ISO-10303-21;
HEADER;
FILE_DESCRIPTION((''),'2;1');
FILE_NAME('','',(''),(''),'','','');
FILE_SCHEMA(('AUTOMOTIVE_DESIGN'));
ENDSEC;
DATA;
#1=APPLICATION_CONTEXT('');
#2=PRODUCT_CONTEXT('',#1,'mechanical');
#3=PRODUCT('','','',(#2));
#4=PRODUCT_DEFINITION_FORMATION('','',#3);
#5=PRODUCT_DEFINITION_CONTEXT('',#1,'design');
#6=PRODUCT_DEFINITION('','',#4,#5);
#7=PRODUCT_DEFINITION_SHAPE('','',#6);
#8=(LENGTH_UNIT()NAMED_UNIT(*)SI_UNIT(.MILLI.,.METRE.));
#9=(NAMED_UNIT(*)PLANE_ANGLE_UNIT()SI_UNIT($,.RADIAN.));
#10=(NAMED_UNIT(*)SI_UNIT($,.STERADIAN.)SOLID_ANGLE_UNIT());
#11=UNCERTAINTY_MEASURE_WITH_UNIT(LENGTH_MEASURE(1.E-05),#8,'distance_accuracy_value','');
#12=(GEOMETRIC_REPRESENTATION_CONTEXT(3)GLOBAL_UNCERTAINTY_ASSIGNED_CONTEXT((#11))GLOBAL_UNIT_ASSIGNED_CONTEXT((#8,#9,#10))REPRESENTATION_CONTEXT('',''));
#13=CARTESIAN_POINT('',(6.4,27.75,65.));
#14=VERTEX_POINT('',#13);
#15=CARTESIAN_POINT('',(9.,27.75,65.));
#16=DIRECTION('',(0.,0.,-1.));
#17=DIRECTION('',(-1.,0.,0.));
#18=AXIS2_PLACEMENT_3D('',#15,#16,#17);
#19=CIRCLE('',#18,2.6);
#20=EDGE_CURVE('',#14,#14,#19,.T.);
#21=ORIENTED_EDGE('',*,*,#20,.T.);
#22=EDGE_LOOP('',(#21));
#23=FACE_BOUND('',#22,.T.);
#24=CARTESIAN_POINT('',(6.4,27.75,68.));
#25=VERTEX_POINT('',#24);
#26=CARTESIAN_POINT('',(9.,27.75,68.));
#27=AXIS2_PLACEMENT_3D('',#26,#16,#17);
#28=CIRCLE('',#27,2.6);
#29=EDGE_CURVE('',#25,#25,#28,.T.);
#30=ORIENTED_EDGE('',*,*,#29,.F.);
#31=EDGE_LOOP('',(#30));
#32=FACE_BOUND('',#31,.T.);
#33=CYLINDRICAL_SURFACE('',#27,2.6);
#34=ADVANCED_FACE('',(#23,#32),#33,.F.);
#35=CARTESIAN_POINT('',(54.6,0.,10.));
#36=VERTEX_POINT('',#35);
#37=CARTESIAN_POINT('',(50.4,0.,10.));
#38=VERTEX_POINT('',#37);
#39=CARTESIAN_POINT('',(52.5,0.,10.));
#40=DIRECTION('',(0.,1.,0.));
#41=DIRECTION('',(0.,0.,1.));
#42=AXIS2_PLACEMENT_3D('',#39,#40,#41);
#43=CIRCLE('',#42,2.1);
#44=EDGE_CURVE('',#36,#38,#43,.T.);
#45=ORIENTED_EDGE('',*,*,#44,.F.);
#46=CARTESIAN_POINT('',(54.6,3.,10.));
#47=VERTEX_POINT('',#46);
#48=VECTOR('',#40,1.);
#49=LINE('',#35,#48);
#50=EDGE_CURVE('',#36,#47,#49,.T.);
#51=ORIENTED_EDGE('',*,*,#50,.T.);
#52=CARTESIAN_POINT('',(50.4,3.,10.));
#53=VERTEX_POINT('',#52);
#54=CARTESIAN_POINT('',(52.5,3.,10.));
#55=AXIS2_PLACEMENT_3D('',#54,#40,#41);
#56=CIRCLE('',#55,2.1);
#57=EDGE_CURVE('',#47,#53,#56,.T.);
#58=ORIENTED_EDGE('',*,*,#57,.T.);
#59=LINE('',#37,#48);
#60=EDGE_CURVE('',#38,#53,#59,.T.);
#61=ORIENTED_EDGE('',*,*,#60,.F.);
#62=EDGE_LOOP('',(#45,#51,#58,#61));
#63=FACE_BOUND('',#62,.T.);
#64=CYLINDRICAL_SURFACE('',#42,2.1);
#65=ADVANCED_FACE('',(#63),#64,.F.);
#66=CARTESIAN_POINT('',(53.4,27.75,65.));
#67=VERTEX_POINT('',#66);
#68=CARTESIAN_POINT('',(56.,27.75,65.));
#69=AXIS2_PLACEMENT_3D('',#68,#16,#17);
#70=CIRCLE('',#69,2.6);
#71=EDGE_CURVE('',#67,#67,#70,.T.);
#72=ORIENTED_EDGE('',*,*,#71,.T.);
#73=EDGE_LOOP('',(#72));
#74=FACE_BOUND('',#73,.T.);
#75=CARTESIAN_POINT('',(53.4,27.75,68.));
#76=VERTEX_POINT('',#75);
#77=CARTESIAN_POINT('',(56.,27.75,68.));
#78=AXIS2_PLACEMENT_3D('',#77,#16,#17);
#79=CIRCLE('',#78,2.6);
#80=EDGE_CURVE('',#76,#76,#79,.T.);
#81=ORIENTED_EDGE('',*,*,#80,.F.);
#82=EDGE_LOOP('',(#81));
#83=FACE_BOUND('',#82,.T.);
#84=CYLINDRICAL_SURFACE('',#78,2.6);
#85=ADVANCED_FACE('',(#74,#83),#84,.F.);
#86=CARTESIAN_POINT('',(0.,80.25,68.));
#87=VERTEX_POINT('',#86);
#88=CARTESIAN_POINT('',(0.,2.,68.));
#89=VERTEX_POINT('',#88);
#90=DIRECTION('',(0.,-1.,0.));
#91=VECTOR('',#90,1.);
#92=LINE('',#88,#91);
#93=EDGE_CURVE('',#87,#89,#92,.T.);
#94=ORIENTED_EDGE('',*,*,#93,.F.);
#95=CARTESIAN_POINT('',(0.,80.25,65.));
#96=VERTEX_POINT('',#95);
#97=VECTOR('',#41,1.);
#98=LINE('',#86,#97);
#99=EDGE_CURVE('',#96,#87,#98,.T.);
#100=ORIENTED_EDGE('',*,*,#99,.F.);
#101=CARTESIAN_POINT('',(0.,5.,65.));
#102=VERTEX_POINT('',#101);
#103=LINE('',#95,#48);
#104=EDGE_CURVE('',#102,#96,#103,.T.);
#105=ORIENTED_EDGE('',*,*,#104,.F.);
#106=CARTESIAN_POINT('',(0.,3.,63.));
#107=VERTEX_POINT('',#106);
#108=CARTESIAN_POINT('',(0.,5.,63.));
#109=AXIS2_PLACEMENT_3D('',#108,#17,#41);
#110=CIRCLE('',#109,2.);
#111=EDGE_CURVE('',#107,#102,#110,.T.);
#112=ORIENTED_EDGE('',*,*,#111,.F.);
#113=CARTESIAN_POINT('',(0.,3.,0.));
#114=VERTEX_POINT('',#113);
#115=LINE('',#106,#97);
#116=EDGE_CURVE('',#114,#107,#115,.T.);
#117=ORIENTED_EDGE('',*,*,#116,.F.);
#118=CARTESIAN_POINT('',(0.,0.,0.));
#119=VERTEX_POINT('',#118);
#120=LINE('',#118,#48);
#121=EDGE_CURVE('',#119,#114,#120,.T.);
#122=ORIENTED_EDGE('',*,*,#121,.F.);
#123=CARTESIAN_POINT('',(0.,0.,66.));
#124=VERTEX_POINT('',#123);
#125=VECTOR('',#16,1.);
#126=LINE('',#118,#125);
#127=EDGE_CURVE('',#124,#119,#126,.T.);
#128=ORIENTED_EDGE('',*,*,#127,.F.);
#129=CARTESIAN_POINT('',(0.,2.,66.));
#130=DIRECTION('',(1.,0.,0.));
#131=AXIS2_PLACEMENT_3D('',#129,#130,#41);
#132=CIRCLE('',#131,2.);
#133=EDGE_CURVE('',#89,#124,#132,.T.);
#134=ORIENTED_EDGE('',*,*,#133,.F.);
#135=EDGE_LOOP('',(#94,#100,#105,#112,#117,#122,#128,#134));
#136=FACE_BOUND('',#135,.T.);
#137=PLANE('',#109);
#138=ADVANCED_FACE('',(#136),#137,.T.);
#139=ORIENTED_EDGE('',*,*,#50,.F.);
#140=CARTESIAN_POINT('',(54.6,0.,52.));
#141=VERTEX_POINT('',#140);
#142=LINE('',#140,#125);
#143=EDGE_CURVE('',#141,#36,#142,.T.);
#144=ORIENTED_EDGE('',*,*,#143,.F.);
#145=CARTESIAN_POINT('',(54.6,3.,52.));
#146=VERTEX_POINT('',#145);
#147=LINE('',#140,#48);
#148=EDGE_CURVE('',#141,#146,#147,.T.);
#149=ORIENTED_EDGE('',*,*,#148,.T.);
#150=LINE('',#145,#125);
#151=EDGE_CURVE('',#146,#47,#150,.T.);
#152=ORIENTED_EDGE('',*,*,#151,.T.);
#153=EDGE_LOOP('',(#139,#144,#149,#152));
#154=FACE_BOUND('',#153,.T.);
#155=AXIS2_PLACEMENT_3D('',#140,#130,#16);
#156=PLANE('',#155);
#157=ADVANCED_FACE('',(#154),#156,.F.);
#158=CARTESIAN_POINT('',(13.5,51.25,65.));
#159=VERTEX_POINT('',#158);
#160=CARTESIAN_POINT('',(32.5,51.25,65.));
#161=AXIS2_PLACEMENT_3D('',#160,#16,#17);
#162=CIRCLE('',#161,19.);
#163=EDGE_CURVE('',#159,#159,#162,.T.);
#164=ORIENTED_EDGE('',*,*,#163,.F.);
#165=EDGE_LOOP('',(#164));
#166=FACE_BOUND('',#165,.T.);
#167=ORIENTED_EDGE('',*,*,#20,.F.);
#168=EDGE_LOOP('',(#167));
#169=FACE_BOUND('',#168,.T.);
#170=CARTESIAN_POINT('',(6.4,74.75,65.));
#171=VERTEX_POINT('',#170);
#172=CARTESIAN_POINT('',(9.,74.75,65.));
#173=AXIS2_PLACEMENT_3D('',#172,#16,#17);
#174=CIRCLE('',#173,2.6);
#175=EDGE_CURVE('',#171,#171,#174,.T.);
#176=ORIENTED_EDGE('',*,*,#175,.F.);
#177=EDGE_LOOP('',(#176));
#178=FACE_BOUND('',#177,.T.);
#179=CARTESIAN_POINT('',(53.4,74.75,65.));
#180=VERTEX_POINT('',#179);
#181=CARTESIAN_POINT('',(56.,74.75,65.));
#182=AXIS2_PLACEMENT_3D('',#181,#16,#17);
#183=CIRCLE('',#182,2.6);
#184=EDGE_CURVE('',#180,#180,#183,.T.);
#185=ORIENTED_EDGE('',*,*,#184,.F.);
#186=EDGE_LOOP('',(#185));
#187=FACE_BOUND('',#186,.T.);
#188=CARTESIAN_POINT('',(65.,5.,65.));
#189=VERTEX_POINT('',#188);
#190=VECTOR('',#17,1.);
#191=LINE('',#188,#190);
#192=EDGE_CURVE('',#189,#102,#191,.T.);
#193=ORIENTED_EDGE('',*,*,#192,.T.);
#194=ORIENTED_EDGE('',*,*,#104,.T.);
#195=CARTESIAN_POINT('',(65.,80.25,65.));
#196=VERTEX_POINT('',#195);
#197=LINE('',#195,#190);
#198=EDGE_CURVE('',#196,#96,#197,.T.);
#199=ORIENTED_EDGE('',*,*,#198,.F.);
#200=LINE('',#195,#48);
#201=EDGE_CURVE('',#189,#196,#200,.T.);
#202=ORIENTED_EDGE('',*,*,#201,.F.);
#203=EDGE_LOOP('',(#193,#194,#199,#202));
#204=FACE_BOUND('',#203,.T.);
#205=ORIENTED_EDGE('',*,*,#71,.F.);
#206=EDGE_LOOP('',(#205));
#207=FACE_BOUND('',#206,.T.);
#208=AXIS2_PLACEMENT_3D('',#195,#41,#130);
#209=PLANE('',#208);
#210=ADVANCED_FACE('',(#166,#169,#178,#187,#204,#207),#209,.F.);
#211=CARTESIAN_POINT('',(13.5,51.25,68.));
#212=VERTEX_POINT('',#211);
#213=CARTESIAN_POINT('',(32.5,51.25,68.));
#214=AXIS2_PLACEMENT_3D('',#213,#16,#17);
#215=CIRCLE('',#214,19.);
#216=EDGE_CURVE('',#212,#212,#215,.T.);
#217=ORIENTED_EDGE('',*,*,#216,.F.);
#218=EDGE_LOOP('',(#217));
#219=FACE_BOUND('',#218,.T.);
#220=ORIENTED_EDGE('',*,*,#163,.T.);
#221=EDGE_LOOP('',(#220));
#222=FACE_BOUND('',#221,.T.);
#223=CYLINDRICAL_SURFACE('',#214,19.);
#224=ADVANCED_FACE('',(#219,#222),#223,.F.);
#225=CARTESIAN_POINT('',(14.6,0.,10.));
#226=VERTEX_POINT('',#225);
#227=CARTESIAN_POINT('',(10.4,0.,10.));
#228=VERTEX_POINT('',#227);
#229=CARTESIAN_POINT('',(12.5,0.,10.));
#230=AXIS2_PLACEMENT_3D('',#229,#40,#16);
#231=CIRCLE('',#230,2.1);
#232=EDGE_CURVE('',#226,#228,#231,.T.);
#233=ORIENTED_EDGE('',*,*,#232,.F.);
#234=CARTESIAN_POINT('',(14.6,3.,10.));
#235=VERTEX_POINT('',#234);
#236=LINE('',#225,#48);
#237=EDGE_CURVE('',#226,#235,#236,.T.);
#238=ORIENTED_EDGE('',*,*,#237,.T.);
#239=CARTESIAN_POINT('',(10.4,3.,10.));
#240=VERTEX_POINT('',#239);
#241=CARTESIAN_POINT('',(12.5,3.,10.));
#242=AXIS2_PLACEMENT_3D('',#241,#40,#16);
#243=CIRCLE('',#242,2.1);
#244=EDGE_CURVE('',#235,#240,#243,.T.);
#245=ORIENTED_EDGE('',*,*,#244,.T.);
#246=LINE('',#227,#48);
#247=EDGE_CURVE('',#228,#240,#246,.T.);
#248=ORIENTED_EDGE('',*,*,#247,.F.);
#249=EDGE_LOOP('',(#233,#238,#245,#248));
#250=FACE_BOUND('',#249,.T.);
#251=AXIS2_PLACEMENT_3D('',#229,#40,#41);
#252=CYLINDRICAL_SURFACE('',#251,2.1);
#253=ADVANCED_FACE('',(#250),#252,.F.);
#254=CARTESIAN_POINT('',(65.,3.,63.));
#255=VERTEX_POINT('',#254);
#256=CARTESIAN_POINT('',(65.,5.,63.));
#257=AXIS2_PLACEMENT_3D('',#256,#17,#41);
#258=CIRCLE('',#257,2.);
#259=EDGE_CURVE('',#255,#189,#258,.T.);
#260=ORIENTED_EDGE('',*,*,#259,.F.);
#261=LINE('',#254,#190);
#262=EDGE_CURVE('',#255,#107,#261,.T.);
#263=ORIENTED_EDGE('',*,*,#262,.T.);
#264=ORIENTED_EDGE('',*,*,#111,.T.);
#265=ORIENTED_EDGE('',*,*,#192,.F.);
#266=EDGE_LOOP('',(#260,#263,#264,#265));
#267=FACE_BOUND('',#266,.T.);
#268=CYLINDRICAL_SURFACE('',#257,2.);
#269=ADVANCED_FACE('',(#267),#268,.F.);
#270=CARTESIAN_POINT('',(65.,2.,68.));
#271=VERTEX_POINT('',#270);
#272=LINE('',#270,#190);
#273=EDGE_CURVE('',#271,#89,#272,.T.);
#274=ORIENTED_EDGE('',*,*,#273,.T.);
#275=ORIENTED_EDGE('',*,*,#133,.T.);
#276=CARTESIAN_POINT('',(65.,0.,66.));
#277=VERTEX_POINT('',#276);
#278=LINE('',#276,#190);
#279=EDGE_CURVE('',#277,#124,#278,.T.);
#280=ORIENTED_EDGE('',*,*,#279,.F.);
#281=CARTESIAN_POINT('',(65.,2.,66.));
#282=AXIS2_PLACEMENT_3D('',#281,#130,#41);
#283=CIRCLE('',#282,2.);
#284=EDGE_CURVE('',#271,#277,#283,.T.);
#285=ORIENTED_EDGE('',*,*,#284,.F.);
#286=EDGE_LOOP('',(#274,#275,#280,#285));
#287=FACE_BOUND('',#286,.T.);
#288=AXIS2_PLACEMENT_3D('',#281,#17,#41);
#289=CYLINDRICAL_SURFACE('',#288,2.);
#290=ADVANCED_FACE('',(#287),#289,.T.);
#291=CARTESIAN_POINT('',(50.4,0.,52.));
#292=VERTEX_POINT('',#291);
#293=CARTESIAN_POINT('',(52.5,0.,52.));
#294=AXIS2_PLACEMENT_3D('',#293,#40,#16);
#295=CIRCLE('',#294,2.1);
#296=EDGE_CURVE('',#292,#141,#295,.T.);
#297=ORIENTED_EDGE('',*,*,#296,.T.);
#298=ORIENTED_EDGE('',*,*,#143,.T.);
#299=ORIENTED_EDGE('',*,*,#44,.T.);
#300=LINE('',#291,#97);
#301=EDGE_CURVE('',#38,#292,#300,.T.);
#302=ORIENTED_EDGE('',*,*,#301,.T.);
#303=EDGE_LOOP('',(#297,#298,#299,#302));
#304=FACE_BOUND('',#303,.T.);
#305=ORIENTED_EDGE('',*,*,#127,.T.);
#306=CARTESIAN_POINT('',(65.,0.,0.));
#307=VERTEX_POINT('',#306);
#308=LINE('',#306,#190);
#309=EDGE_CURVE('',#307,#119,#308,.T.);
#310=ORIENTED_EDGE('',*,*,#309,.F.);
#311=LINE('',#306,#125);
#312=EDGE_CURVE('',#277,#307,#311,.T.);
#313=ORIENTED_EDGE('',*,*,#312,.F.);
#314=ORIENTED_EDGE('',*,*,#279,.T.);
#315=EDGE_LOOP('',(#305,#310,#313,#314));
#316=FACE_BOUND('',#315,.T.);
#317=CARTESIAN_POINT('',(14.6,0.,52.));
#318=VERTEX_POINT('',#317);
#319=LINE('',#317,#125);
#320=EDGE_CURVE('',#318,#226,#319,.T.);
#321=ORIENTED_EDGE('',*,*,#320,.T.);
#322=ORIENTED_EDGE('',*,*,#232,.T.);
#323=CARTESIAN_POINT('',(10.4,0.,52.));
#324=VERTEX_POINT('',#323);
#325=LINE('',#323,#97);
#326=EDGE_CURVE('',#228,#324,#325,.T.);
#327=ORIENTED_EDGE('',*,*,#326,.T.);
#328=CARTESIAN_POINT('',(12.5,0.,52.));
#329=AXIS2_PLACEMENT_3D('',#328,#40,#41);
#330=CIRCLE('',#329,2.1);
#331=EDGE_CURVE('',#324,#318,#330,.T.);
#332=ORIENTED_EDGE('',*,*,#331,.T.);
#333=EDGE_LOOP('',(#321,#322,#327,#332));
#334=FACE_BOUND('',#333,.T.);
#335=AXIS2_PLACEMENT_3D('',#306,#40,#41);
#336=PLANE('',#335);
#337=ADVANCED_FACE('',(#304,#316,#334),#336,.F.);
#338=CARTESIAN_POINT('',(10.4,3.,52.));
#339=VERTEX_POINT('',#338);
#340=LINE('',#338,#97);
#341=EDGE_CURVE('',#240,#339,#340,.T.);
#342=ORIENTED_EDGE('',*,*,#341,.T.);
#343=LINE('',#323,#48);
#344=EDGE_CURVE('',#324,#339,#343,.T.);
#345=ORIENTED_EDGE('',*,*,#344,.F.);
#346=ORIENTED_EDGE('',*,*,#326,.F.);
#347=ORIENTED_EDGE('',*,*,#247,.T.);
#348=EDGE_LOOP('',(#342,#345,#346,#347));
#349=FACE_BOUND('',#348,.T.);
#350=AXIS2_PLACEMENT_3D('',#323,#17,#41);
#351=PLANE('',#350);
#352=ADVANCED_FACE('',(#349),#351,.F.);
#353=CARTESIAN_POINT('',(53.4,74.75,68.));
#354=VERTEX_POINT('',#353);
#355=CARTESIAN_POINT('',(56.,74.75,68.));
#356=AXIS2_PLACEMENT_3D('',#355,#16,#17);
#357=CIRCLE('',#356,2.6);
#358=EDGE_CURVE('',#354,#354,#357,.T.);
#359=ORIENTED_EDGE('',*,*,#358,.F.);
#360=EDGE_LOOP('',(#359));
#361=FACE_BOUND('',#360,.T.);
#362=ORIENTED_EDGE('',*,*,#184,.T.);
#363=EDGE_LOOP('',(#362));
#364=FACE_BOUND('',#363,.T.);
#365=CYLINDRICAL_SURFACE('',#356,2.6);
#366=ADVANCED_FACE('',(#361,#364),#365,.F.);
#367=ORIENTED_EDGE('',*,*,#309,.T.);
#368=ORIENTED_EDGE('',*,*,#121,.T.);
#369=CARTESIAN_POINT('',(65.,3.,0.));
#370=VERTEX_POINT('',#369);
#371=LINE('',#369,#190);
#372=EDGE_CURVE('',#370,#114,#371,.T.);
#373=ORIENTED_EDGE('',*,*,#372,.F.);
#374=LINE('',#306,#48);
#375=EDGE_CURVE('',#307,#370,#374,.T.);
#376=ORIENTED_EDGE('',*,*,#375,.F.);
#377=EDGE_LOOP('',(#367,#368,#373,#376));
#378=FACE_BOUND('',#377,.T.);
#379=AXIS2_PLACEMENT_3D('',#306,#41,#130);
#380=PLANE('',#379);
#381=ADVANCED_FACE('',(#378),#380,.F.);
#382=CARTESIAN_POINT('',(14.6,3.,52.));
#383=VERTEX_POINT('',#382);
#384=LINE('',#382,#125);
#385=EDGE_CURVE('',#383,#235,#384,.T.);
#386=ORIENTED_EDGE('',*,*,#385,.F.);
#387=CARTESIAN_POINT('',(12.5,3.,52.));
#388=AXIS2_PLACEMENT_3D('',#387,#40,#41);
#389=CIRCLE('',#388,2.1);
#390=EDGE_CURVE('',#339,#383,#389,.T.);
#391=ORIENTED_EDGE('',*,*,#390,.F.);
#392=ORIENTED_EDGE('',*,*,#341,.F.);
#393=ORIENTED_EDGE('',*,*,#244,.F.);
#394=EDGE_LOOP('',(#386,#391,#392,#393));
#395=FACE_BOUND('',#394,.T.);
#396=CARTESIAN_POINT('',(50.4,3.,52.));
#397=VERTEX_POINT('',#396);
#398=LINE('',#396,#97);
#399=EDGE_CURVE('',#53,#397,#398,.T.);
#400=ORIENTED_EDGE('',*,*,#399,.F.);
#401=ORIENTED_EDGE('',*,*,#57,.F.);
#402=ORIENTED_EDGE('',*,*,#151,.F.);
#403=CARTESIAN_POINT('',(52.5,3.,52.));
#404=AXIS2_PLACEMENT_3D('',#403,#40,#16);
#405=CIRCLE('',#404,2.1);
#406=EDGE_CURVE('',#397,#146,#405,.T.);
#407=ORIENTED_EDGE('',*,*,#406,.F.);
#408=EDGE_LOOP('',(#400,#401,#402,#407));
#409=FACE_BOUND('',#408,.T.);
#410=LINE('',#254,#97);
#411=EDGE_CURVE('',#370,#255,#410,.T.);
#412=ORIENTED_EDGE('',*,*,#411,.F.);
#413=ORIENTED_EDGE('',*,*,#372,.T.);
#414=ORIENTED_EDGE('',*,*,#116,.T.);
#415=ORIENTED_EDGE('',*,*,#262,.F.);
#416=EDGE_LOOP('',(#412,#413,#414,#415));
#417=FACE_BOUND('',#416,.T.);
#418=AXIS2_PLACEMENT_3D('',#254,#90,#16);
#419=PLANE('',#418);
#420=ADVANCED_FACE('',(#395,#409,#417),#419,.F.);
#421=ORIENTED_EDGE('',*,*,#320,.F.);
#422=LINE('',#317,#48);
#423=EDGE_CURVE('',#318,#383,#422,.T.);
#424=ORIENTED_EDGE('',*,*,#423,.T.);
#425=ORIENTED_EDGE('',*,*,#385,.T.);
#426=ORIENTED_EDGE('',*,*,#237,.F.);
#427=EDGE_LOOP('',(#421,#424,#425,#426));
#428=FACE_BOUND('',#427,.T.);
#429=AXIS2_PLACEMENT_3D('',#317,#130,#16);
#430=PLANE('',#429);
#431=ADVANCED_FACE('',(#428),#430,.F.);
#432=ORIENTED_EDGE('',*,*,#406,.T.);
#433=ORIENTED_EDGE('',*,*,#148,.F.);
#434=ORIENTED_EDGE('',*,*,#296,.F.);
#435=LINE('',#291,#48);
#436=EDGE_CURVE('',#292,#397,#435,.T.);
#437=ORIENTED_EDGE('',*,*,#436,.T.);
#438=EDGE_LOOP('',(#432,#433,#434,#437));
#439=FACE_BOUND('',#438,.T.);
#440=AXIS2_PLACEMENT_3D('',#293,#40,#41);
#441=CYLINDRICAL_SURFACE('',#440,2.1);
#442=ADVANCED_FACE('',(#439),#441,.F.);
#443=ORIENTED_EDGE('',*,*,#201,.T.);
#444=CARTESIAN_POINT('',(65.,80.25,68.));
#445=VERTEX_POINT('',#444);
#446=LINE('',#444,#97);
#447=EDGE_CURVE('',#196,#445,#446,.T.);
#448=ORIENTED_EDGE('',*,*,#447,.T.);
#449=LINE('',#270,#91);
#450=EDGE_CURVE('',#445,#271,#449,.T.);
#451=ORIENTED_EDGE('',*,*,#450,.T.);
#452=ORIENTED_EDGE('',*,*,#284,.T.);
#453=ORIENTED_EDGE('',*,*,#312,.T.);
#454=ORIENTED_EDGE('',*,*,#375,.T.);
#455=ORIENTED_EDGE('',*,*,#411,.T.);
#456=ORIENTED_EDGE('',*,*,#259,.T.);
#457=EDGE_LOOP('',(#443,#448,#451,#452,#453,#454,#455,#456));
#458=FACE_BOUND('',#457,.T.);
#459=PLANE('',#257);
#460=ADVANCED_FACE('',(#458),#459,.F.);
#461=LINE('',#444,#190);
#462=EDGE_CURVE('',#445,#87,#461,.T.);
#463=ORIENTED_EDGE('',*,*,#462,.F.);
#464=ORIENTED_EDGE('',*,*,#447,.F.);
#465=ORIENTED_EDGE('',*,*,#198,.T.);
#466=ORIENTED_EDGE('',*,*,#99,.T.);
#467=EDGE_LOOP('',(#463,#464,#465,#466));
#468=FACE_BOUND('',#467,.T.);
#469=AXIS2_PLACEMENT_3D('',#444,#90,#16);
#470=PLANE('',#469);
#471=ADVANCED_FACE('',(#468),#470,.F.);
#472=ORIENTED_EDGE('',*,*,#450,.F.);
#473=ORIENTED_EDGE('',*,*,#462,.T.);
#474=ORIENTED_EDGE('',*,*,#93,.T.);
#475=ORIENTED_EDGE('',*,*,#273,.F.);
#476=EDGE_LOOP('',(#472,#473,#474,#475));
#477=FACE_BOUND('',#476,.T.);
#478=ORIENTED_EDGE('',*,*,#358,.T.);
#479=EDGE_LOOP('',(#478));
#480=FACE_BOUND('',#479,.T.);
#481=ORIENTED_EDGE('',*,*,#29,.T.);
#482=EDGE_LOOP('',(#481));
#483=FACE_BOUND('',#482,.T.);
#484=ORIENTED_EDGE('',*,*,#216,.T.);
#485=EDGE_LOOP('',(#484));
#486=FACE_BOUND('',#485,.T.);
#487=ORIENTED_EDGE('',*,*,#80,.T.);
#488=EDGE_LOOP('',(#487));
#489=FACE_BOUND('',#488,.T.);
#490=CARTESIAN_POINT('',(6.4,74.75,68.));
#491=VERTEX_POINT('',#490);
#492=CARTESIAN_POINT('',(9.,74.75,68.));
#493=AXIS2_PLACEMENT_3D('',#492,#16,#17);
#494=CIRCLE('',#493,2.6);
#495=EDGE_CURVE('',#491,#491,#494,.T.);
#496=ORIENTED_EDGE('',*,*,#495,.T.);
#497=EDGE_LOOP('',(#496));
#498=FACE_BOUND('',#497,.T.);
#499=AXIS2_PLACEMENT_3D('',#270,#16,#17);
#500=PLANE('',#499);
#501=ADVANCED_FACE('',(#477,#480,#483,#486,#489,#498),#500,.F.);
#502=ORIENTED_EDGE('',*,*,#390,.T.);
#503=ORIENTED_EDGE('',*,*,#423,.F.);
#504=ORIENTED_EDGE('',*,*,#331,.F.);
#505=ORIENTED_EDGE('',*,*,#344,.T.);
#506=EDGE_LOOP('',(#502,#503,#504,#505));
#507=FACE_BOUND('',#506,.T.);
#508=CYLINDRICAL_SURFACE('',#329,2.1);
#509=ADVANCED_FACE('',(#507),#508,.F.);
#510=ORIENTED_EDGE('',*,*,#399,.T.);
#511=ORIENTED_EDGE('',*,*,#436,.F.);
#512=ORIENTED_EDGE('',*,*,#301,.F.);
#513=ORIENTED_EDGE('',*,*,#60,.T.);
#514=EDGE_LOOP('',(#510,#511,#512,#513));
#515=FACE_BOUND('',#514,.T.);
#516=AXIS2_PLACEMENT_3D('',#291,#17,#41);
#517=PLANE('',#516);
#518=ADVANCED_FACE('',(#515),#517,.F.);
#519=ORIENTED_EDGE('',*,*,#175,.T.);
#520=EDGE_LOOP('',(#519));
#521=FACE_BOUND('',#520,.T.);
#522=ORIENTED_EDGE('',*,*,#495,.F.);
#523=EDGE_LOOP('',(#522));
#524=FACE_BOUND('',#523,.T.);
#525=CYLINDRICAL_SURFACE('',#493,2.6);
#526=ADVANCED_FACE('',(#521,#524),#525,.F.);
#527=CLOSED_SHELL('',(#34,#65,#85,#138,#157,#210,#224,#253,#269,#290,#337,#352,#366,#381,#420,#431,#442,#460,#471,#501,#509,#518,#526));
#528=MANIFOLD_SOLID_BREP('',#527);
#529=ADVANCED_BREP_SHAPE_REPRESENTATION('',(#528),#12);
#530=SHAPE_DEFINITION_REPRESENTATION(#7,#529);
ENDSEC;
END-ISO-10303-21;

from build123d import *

# Parameters (mm, degrees)
BODY_DEPTH         = 65
CUT_EXTRUDE1_DEPTH = 3
SKETCH5_R          = 19
SKETCH5_R_2        = 2.6
CUT_EXTRUDE2_DEPTH = 3


with BuildPart() as part:
    # Sketch1 → Body (new body)
    with BuildSketch(Plane(origin=(0, 0, 0), x_dir=(0, 0, -1), z_dir=(1, 0, 0))):
        with BuildLine():
            Line((0, 0), (-66, 0))
            ThreePointArc((-66, 0), (-67.414213562, 0.585786438), (-68, 2))
            Line((-68, 2), (-68, 80.25))
            Line((-68, 80.25), (-65, 80.25))
            Line((-65, 80.25), (-65, 5))
            ThreePointArc((-65, 5), (-64.414213562, 3.585786438), (-63, 3))
            Line((-63, 3), (0, 3))
            Line((0, 3), (0, 0))
        make_face()
    extrude(amount=BODY_DEPTH)

    # Sketch4 → Cut-Extrude1 (cut)
    with BuildSketch(Plane(origin=(0, 3, 0), x_dir=(1, 0, 0), z_dir=(0, 1, 0))):
        with BuildLine():
            Line((50.4, -52), (50.4, -10))
            ThreePointArc((50.4, -10), (52.5, -7.9), (54.6, -10))
            Line((54.6, -10), (54.6, -52))
            ThreePointArc((54.6, -52), (52.5, -54.1), (50.4, -52))
        make_face()
        with BuildLine():
            Line((10.4, -52), (10.4, -10))
            ThreePointArc((10.4, -10), (12.5, -7.9), (14.6, -10))
            Line((14.6, -10), (14.6, -52))
            ThreePointArc((14.6, -52), (12.5, -54.1), (10.4, -52))
        make_face()
    extrude(amount=-CUT_EXTRUDE1_DEPTH, mode=Mode.SUBTRACT)

    # Sketch5 → Cut-Extrude2 (cut)
    with BuildSketch(Plane(origin=(0, 0, 65), x_dir=(-1, 0, 0), z_dir=(0, 0, -1))):
        with Locations((-32.5, 51.25)):
            Circle(SKETCH5_R)
        with Locations((-9, 74.75)):
            Circle(SKETCH5_R_2)
        with Locations((-56, 74.75)):
            Circle(SKETCH5_R_2)
        with Locations((-56, 27.75)):
            Circle(SKETCH5_R_2)
        with Locations((-9, 27.75)):
            Circle(SKETCH5_R_2)
    extrude(amount=-CUT_EXTRUDE2_DEPTH, mode=Mode.SUBTRACT)


solid = part.part
